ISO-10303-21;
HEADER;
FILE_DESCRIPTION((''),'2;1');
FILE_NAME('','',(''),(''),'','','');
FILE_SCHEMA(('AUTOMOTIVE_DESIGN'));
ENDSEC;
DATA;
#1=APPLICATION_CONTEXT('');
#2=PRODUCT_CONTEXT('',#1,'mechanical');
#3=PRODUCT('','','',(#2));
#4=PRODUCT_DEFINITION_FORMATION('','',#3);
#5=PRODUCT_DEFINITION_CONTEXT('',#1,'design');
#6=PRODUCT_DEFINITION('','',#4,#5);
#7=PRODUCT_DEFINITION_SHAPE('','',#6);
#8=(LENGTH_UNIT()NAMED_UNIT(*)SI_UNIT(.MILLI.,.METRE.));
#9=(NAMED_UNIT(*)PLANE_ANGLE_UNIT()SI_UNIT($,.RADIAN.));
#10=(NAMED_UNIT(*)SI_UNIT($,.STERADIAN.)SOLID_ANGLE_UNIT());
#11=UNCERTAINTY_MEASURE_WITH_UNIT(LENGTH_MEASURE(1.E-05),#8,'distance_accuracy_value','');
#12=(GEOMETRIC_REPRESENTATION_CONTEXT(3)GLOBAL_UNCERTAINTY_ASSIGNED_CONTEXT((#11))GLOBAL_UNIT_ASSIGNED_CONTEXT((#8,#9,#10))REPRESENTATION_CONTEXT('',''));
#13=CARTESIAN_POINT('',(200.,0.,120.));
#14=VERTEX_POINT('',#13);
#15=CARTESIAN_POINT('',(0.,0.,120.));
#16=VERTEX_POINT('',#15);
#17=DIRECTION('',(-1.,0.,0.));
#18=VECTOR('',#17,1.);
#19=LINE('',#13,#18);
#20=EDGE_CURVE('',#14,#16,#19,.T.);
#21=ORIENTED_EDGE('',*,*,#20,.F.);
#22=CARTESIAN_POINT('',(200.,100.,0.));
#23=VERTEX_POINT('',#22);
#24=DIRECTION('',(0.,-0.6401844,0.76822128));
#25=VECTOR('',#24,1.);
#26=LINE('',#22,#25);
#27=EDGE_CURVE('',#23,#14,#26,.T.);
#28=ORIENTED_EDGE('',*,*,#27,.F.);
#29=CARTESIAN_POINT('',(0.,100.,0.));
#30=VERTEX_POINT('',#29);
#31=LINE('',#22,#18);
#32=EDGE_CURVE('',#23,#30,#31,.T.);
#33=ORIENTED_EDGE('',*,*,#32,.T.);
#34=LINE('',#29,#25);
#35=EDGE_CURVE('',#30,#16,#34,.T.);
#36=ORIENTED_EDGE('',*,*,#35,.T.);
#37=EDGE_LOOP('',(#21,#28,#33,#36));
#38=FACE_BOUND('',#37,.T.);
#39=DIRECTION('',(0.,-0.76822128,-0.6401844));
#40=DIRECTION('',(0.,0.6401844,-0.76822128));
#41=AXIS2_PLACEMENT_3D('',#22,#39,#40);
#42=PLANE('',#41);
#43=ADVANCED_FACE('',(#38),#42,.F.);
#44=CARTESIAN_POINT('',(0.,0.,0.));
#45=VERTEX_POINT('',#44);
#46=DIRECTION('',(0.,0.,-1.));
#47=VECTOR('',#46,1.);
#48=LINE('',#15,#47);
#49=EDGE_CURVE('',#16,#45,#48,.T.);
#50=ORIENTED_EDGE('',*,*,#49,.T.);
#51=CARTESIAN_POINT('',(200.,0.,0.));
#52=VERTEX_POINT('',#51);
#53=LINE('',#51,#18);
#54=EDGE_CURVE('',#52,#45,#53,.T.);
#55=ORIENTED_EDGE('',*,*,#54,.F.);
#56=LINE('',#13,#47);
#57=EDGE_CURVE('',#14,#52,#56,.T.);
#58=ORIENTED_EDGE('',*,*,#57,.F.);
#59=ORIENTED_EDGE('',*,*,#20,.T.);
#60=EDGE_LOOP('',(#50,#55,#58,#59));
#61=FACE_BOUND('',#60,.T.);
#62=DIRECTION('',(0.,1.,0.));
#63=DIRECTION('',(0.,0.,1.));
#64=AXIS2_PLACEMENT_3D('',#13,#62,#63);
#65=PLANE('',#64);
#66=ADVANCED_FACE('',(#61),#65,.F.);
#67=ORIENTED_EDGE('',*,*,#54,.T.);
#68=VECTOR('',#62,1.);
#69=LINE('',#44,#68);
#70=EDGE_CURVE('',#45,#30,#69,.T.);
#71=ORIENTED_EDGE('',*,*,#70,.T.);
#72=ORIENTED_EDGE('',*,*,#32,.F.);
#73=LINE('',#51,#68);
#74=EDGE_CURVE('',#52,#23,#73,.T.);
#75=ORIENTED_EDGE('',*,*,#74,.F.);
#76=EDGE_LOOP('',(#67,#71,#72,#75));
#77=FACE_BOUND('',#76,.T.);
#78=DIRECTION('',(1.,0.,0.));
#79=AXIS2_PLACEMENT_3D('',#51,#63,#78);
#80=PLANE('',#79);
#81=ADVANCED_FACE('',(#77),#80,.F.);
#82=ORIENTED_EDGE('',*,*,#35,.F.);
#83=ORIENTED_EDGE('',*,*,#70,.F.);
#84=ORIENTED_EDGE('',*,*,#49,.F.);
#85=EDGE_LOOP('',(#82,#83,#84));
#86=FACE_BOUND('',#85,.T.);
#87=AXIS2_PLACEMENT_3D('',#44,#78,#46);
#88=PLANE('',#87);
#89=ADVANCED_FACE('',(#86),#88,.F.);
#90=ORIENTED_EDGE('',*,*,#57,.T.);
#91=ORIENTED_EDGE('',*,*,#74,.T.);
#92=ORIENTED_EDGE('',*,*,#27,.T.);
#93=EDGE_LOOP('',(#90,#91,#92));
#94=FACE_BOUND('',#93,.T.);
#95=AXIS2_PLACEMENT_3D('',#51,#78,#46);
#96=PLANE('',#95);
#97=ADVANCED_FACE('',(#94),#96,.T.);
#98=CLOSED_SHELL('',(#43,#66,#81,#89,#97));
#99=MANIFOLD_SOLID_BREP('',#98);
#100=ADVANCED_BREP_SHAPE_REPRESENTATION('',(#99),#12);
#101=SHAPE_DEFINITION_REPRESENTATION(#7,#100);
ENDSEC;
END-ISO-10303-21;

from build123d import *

# Parameters (mm, degrees)
BOSS_EXTRUDE1_DEPTH = 200


with BuildPart() as part:
    # Sketch1 → Boss-Extrude1 (new body)
    with BuildSketch(Plane(origin=(0, 0, 0), x_dir=(0, 0, -1), z_dir=(1, 0, 0))):
        Polygon((0, 0), (0, 100), (-120, 0), align=None)
    extrude(amount=BOSS_EXTRUDE1_DEPTH)


solid = part.part
